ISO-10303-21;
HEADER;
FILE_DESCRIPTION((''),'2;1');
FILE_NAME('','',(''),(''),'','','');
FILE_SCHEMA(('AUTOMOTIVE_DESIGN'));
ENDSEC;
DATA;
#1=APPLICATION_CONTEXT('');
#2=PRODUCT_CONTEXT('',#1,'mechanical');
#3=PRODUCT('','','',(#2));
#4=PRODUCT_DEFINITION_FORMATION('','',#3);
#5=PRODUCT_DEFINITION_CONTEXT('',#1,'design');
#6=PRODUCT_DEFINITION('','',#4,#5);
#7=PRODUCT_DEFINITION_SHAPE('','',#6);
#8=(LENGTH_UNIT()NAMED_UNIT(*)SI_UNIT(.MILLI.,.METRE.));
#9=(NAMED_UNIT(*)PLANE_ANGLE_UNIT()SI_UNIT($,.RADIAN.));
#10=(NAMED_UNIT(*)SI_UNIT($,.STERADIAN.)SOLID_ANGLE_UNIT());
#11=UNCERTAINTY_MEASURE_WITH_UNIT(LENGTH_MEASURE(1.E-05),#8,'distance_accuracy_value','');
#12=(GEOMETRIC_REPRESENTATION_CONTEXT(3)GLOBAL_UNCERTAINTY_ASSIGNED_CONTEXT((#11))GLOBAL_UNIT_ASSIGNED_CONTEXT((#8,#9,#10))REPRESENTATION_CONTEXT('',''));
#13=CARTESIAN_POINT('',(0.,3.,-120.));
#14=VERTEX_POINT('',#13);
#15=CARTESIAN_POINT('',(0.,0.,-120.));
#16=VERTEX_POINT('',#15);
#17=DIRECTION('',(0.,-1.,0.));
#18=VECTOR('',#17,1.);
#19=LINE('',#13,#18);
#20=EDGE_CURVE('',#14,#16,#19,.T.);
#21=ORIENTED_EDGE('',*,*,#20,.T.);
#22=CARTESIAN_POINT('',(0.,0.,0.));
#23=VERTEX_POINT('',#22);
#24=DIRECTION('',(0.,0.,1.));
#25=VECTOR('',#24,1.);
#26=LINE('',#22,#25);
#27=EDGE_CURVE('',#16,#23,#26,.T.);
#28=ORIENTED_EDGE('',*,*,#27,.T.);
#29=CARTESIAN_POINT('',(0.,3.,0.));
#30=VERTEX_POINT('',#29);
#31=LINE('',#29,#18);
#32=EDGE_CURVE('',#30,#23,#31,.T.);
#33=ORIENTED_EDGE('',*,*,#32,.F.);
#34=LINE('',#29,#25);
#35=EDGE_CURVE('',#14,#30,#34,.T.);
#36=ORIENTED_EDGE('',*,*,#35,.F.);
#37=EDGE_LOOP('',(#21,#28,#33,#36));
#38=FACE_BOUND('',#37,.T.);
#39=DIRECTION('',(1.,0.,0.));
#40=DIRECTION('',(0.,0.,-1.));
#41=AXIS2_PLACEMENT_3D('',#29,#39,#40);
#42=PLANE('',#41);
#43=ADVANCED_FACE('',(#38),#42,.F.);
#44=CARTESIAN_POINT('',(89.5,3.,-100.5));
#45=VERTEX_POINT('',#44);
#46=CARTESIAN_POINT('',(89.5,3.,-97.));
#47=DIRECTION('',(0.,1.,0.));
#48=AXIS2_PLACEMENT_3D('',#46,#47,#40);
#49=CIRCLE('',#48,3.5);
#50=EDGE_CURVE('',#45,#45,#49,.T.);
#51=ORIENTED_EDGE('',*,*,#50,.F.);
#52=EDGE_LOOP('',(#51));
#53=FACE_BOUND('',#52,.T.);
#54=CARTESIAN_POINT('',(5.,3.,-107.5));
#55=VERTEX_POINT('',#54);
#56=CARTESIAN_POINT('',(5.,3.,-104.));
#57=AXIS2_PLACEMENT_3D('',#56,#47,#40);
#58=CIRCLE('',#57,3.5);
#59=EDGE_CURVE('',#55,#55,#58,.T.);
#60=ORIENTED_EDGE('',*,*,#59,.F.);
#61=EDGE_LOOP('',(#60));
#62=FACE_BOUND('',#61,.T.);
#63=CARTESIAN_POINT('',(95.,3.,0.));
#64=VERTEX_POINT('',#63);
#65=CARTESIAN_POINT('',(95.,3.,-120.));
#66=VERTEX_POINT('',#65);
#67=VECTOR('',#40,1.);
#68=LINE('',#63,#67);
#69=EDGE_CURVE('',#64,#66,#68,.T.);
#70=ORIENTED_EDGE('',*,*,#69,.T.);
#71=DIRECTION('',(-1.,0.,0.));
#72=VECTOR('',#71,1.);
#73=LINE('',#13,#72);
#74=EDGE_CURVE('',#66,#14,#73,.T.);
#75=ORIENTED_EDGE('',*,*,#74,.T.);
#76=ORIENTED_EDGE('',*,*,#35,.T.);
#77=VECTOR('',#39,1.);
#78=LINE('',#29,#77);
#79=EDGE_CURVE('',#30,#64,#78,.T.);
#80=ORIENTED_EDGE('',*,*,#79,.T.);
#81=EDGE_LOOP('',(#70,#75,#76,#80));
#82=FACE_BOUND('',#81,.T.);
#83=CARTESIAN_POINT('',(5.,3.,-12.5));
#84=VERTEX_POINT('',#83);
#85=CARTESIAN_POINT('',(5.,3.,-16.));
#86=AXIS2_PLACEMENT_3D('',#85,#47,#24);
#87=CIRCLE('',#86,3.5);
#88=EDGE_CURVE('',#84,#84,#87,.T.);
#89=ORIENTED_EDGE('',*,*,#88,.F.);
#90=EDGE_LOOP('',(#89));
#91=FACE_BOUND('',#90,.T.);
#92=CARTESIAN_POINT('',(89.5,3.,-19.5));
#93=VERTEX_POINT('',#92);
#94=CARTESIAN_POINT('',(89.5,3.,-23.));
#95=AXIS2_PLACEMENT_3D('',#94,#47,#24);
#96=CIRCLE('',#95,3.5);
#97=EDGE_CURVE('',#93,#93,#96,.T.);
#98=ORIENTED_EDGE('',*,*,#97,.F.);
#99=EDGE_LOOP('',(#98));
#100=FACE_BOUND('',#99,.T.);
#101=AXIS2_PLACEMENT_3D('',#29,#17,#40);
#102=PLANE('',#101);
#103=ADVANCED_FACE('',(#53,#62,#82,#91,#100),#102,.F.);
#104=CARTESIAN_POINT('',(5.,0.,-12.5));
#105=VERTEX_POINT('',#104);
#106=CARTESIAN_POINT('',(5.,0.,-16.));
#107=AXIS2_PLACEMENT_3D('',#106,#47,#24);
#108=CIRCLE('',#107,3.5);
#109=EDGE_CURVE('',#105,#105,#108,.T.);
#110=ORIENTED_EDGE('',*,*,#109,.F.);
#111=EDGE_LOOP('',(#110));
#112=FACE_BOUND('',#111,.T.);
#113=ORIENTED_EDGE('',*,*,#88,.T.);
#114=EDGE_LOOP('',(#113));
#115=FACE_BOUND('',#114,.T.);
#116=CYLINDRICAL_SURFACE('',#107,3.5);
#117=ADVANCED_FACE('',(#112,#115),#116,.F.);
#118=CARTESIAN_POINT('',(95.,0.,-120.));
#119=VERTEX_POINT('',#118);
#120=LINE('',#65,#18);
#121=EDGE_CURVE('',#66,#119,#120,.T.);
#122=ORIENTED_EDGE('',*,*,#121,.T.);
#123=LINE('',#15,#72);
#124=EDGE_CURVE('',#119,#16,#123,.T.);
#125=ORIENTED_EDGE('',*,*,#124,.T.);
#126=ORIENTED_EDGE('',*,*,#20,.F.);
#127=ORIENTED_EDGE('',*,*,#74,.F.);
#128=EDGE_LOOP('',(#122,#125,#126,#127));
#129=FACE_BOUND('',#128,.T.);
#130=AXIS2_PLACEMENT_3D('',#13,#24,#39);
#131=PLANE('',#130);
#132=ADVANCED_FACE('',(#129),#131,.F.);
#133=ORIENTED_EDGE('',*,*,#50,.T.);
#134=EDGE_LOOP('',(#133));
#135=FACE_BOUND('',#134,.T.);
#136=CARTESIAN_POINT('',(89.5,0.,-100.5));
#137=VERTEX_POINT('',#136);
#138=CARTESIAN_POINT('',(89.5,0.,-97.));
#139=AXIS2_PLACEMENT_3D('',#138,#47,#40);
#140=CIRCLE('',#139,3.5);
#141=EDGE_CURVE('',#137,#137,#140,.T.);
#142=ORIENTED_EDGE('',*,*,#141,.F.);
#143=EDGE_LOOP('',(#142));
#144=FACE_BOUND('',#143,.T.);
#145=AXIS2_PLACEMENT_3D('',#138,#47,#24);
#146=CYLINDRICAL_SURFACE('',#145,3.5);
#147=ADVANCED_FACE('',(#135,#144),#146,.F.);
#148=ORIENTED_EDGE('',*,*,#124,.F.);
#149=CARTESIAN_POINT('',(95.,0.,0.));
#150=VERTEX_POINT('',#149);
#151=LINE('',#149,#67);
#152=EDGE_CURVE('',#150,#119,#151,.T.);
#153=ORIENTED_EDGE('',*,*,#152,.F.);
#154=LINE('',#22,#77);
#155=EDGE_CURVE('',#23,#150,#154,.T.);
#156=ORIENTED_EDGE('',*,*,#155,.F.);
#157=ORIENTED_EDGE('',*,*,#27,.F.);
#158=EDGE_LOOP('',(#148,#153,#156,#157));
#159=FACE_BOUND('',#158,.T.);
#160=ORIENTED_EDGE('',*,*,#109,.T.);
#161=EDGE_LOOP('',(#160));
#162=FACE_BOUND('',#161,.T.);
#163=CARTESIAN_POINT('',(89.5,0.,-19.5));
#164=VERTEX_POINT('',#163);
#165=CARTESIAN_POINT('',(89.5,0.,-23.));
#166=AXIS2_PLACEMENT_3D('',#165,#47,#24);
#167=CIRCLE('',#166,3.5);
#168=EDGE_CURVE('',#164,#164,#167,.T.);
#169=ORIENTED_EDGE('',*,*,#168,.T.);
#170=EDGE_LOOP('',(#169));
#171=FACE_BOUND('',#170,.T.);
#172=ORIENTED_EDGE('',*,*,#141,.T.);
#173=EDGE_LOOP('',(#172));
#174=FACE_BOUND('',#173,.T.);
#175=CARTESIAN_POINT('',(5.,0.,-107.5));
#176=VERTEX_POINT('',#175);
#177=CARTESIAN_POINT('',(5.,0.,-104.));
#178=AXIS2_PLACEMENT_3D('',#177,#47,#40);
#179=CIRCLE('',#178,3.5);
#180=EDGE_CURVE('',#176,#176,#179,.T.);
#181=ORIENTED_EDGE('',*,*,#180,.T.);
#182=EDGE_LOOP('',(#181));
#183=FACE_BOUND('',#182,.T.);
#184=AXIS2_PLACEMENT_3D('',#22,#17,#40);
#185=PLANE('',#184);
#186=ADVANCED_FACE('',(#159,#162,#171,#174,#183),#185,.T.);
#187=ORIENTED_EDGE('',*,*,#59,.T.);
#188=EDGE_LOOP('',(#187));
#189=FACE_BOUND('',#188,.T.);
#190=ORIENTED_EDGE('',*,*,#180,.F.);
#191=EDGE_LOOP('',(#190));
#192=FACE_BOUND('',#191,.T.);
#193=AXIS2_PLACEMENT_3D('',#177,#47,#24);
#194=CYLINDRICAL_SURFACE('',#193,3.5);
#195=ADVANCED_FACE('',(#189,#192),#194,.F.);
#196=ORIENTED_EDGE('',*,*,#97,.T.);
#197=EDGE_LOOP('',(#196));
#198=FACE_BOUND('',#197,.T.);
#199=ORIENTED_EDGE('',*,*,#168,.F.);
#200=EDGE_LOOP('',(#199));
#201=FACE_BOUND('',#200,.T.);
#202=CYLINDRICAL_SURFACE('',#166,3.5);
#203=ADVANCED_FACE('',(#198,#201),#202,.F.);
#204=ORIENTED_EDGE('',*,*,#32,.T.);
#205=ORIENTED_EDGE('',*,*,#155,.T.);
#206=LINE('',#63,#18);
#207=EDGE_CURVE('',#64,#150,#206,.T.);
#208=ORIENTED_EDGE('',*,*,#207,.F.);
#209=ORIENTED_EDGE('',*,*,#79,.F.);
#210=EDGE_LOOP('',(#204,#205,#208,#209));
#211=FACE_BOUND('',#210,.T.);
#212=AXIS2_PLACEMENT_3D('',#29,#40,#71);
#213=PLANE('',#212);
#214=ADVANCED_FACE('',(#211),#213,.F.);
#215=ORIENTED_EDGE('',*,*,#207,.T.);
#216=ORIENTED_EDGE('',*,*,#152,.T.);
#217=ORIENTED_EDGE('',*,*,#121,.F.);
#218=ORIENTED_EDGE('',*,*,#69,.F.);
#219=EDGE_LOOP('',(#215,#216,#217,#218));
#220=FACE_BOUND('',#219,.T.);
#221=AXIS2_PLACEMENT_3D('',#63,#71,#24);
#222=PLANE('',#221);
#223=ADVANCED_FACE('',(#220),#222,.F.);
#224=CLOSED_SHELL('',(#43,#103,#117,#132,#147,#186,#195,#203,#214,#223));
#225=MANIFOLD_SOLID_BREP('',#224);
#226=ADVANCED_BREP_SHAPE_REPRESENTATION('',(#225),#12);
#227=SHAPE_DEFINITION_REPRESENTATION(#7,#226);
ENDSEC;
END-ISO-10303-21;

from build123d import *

# Parameters (mm, degrees)
SKETCH1_W           = 95
SKETCH1_H           = 120
BOSS_EXTRUDE1_DEPTH = 3
SKETCH2_R           = 3.5
CUT_EXTRUDE1_DEPTH  = 4


with BuildPart() as part:
    # Sketch1 → Boss-Extrude1 (new body)
    with BuildSketch(Plane(origin=(0, 0, 0), x_dir=(1, 0, 0), z_dir=(0, 1, 0))):
        with Locations((47.5, 60)):
            Rectangle(SKETCH1_W, SKETCH1_H)
    extrude(amount=BOSS_EXTRUDE1_DEPTH)

    # Sketch2 → Cut-Extrude1 (cut, through all)
    with BuildSketch(Plane(origin=(0, 3, 0), x_dir=(1, 0, 0), z_dir=(0, 1, 0))):
        with Locations((89.5, 23)):
            Circle(SKETCH2_R)
        with Locations((5, 16)):
            Circle(SKETCH2_R)
        with Locations((89.5, 97)):
            Circle(SKETCH2_R)
        with Locations((5, 104)):
            Circle(SKETCH2_R)
    extrude(amount=-CUT_EXTRUDE1_DEPTH, mode=Mode.SUBTRACT)


solid = part.part
